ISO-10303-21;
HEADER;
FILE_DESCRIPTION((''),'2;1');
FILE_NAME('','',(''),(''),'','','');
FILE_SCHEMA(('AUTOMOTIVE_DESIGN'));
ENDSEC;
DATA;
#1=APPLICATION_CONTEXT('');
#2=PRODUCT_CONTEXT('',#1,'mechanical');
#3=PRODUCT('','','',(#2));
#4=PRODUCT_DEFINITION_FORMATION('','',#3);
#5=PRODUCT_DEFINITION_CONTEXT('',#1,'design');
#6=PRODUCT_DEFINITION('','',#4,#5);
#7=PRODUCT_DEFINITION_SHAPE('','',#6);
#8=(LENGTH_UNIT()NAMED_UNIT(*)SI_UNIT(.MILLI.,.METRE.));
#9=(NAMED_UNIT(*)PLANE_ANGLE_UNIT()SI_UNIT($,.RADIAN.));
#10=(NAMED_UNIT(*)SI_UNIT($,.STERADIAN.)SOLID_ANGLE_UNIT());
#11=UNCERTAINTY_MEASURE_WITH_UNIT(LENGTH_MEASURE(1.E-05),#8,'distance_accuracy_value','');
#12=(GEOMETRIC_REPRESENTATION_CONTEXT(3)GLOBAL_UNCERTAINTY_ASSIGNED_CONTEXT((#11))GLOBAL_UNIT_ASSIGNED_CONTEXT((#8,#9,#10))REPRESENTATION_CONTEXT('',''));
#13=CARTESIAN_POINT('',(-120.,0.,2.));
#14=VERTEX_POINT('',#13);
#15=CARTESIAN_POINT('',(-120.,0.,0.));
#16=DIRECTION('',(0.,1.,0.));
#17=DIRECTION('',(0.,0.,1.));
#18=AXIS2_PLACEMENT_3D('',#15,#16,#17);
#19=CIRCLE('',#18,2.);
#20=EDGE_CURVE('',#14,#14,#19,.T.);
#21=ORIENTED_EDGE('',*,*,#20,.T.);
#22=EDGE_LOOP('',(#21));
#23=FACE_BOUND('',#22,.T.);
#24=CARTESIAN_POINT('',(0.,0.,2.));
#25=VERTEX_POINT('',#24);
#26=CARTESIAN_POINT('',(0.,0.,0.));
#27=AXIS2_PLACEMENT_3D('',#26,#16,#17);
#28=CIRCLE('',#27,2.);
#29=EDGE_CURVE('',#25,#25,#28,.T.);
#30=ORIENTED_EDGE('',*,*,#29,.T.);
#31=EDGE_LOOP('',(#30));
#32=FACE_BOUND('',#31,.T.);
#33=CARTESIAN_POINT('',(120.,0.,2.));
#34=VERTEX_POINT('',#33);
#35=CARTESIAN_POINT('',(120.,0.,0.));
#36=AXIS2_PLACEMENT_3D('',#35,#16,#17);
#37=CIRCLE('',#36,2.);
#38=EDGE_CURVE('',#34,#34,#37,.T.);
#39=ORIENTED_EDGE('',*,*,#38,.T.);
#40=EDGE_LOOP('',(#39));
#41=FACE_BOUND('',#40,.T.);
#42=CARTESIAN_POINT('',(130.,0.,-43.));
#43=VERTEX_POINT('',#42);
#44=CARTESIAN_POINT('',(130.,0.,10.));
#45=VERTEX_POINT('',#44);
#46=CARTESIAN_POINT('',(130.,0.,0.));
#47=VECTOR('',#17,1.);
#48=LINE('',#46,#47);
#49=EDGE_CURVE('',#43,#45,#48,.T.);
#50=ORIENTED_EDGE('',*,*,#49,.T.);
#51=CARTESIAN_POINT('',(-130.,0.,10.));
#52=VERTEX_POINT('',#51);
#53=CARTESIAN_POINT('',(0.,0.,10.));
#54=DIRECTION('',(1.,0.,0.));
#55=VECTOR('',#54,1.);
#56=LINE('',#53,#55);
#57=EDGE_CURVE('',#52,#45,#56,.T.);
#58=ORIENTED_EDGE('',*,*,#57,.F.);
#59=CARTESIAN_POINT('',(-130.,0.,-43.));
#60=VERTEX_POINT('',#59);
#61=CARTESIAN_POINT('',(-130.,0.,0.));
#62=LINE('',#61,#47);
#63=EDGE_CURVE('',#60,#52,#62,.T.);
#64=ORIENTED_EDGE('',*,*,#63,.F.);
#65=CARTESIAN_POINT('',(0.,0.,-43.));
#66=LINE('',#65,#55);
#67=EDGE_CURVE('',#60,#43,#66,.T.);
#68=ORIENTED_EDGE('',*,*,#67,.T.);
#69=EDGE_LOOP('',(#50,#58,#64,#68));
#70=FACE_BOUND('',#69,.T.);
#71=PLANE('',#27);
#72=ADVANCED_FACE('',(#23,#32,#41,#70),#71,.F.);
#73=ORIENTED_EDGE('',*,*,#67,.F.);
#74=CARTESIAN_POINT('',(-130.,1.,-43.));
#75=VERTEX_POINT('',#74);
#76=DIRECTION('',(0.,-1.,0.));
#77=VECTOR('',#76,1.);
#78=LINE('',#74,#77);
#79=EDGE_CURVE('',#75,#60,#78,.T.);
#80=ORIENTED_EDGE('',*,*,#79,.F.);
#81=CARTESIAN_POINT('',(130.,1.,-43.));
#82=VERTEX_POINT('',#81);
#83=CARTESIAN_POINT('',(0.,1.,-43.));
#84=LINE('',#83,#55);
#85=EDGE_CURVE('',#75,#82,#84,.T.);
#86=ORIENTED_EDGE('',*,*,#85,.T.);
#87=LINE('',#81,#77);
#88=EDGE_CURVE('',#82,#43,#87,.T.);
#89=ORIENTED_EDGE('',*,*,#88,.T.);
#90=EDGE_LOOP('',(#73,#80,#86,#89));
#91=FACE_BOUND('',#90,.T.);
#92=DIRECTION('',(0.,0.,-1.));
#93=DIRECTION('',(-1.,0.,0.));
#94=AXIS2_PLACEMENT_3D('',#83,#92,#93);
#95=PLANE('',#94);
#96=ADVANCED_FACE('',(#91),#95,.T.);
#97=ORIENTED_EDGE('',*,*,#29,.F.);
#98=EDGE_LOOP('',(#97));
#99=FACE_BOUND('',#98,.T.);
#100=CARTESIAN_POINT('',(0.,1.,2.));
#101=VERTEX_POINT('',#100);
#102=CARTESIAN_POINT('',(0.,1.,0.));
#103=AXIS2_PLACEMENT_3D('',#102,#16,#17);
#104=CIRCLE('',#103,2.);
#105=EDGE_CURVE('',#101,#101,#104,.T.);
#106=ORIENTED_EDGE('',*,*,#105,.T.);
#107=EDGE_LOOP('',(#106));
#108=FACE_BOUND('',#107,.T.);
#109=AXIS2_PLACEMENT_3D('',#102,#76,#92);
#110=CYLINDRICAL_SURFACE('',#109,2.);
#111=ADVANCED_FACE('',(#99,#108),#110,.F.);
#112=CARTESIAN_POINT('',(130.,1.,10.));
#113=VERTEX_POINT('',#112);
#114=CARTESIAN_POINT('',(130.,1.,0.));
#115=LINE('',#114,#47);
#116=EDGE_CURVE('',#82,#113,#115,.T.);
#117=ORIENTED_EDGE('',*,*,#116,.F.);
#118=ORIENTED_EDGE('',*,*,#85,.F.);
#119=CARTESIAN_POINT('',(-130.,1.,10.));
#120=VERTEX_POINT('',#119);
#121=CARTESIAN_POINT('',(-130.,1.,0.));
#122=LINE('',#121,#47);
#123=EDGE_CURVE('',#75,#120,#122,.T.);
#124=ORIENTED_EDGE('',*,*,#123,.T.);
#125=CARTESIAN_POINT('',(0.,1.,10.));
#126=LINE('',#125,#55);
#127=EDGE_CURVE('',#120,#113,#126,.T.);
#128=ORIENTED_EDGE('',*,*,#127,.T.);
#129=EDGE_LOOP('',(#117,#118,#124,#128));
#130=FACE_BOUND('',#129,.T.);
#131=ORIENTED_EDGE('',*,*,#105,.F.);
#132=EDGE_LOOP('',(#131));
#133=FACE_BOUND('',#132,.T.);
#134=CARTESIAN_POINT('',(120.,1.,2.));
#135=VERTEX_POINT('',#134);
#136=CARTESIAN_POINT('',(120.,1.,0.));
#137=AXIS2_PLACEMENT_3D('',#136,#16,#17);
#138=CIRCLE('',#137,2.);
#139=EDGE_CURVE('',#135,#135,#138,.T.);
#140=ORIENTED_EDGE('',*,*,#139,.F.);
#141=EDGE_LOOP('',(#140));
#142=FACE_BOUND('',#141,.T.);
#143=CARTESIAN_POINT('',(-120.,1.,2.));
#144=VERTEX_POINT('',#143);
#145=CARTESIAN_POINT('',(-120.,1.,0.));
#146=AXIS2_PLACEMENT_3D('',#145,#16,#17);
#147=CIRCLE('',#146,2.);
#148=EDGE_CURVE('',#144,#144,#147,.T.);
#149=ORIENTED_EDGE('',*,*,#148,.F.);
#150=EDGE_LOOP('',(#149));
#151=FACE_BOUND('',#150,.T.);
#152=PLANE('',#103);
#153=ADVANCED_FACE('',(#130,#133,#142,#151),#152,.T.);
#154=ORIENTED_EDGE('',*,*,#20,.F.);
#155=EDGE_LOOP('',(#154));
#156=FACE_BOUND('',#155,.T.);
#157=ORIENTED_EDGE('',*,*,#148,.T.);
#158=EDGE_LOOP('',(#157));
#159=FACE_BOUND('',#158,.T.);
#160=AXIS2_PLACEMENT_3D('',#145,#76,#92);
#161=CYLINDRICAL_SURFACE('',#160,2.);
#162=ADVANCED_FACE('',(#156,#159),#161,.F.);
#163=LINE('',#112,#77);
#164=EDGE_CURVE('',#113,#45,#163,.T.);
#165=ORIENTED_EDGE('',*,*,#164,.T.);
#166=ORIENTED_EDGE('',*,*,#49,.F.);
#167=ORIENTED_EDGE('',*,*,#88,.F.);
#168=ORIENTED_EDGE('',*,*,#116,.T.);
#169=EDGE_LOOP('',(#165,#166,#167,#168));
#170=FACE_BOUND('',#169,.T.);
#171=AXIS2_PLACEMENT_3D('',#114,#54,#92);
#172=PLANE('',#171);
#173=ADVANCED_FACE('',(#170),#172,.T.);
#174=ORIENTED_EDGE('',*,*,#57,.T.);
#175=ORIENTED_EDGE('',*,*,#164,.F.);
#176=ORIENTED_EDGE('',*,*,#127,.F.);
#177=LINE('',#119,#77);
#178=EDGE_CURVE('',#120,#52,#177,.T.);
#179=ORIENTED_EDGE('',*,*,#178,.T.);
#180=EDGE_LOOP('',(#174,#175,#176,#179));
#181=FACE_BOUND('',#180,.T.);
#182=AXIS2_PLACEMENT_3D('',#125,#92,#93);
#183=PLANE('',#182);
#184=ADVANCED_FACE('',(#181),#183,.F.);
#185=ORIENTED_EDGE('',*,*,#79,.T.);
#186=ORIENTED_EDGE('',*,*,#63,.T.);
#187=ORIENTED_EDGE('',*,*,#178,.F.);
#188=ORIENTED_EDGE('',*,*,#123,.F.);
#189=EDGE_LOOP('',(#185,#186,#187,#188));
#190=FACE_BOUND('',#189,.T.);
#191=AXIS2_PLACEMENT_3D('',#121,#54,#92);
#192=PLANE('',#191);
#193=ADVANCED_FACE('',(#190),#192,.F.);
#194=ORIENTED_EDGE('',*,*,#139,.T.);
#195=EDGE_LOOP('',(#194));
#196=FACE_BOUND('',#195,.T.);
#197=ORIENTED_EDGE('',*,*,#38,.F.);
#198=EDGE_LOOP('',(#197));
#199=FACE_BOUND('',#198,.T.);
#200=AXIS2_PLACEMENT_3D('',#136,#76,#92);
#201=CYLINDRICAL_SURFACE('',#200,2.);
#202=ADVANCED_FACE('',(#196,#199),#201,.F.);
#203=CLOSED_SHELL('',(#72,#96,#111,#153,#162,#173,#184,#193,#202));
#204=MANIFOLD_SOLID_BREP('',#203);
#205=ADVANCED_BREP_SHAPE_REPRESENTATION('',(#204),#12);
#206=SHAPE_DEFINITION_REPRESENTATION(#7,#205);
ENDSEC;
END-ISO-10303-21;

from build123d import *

# Parameters (mm, degrees)
SKETCH1_4_R         = 2
BOSS_EXTRUDE3_DEPTH = 1


with BuildPart() as part:
    # Sketch1<4> → Boss-Extrude3 (new body)
    with BuildSketch(Plane(origin=(0, 0, 0), x_dir=(1, 0, 0), z_dir=(0, 1, 0))):
        Polygon((130, 43), (-130, 43), (-130, 5), (-130, -10), (130, -10), align=None)
        with Locations((-120, 0)):
            Circle(SKETCH1_4_R, mode=Mode.SUBTRACT)
        Circle(SKETCH1_4_R, mode=Mode.SUBTRACT)
        with Locations((120, 0)):
            Circle(SKETCH1_4_R, mode=Mode.SUBTRACT)
    extrude(amount=BOSS_EXTRUDE3_DEPTH)


solid = part.part
